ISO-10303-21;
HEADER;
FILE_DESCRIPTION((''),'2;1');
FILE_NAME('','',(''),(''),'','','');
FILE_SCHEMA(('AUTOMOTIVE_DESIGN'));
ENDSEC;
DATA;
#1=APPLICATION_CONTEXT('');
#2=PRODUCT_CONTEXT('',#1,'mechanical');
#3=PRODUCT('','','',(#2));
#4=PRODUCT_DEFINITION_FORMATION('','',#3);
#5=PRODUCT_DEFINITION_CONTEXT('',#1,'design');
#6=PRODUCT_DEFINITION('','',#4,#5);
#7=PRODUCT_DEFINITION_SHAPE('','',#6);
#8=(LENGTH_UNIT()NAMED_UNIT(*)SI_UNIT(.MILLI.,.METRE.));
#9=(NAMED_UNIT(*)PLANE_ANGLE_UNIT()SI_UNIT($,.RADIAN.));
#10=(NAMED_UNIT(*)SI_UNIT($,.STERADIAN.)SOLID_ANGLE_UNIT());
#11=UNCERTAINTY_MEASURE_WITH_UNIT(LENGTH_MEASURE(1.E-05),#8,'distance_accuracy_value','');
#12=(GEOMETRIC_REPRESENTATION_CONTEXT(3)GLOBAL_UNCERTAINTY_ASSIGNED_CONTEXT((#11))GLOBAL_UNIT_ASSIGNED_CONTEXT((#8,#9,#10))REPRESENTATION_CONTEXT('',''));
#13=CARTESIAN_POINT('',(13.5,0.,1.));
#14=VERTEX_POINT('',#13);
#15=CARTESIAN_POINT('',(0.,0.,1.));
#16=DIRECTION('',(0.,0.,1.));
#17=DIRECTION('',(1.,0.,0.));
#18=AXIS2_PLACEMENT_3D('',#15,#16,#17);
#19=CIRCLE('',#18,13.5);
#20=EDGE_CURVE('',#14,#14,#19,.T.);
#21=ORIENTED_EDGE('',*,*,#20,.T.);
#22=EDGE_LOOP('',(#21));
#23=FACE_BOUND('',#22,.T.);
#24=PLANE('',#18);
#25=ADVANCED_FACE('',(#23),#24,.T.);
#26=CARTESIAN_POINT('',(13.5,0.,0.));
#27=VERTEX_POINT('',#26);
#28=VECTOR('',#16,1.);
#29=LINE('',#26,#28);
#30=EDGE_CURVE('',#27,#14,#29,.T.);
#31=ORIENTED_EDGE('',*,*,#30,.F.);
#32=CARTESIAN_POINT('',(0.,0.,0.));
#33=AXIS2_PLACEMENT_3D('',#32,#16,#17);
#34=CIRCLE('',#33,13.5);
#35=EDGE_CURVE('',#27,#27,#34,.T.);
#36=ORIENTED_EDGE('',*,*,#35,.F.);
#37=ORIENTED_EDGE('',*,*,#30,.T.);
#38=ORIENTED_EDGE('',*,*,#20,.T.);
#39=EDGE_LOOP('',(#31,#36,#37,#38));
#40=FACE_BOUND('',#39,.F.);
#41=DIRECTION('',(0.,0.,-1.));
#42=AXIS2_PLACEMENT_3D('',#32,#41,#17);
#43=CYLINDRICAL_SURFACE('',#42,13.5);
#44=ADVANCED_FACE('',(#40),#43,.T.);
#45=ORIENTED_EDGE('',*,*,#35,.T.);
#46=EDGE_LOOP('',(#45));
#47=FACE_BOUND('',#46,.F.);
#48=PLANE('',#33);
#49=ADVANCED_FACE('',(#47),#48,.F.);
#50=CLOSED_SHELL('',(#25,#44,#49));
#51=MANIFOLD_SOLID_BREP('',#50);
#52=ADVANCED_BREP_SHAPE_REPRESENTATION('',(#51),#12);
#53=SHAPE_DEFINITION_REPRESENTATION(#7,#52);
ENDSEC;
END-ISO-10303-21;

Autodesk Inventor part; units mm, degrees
ref_plane "YZ Plane" through (0, 0, 0) normal (1, 0, 0) x (0, 1, 0)
ref_plane "XZ Plane" through (0, 0, 0) normal (0, 1, 0) x (-1, 0, 0)
ref_plane "XY Plane" through (0, 0, 0) normal (0, 0, 1) x (1, 0, 0)
sketch "Sketch1" plane through (0, 0, 0) normal (0, 0, 1) x (1, 0, 0)
  circle A0 centre (0, 0) radius 13.5
  dimension "d0" = 27
extrude "Extrusion1" add sketch "Sketch1" along normal blind 1
properties part number "MovingPlane"
